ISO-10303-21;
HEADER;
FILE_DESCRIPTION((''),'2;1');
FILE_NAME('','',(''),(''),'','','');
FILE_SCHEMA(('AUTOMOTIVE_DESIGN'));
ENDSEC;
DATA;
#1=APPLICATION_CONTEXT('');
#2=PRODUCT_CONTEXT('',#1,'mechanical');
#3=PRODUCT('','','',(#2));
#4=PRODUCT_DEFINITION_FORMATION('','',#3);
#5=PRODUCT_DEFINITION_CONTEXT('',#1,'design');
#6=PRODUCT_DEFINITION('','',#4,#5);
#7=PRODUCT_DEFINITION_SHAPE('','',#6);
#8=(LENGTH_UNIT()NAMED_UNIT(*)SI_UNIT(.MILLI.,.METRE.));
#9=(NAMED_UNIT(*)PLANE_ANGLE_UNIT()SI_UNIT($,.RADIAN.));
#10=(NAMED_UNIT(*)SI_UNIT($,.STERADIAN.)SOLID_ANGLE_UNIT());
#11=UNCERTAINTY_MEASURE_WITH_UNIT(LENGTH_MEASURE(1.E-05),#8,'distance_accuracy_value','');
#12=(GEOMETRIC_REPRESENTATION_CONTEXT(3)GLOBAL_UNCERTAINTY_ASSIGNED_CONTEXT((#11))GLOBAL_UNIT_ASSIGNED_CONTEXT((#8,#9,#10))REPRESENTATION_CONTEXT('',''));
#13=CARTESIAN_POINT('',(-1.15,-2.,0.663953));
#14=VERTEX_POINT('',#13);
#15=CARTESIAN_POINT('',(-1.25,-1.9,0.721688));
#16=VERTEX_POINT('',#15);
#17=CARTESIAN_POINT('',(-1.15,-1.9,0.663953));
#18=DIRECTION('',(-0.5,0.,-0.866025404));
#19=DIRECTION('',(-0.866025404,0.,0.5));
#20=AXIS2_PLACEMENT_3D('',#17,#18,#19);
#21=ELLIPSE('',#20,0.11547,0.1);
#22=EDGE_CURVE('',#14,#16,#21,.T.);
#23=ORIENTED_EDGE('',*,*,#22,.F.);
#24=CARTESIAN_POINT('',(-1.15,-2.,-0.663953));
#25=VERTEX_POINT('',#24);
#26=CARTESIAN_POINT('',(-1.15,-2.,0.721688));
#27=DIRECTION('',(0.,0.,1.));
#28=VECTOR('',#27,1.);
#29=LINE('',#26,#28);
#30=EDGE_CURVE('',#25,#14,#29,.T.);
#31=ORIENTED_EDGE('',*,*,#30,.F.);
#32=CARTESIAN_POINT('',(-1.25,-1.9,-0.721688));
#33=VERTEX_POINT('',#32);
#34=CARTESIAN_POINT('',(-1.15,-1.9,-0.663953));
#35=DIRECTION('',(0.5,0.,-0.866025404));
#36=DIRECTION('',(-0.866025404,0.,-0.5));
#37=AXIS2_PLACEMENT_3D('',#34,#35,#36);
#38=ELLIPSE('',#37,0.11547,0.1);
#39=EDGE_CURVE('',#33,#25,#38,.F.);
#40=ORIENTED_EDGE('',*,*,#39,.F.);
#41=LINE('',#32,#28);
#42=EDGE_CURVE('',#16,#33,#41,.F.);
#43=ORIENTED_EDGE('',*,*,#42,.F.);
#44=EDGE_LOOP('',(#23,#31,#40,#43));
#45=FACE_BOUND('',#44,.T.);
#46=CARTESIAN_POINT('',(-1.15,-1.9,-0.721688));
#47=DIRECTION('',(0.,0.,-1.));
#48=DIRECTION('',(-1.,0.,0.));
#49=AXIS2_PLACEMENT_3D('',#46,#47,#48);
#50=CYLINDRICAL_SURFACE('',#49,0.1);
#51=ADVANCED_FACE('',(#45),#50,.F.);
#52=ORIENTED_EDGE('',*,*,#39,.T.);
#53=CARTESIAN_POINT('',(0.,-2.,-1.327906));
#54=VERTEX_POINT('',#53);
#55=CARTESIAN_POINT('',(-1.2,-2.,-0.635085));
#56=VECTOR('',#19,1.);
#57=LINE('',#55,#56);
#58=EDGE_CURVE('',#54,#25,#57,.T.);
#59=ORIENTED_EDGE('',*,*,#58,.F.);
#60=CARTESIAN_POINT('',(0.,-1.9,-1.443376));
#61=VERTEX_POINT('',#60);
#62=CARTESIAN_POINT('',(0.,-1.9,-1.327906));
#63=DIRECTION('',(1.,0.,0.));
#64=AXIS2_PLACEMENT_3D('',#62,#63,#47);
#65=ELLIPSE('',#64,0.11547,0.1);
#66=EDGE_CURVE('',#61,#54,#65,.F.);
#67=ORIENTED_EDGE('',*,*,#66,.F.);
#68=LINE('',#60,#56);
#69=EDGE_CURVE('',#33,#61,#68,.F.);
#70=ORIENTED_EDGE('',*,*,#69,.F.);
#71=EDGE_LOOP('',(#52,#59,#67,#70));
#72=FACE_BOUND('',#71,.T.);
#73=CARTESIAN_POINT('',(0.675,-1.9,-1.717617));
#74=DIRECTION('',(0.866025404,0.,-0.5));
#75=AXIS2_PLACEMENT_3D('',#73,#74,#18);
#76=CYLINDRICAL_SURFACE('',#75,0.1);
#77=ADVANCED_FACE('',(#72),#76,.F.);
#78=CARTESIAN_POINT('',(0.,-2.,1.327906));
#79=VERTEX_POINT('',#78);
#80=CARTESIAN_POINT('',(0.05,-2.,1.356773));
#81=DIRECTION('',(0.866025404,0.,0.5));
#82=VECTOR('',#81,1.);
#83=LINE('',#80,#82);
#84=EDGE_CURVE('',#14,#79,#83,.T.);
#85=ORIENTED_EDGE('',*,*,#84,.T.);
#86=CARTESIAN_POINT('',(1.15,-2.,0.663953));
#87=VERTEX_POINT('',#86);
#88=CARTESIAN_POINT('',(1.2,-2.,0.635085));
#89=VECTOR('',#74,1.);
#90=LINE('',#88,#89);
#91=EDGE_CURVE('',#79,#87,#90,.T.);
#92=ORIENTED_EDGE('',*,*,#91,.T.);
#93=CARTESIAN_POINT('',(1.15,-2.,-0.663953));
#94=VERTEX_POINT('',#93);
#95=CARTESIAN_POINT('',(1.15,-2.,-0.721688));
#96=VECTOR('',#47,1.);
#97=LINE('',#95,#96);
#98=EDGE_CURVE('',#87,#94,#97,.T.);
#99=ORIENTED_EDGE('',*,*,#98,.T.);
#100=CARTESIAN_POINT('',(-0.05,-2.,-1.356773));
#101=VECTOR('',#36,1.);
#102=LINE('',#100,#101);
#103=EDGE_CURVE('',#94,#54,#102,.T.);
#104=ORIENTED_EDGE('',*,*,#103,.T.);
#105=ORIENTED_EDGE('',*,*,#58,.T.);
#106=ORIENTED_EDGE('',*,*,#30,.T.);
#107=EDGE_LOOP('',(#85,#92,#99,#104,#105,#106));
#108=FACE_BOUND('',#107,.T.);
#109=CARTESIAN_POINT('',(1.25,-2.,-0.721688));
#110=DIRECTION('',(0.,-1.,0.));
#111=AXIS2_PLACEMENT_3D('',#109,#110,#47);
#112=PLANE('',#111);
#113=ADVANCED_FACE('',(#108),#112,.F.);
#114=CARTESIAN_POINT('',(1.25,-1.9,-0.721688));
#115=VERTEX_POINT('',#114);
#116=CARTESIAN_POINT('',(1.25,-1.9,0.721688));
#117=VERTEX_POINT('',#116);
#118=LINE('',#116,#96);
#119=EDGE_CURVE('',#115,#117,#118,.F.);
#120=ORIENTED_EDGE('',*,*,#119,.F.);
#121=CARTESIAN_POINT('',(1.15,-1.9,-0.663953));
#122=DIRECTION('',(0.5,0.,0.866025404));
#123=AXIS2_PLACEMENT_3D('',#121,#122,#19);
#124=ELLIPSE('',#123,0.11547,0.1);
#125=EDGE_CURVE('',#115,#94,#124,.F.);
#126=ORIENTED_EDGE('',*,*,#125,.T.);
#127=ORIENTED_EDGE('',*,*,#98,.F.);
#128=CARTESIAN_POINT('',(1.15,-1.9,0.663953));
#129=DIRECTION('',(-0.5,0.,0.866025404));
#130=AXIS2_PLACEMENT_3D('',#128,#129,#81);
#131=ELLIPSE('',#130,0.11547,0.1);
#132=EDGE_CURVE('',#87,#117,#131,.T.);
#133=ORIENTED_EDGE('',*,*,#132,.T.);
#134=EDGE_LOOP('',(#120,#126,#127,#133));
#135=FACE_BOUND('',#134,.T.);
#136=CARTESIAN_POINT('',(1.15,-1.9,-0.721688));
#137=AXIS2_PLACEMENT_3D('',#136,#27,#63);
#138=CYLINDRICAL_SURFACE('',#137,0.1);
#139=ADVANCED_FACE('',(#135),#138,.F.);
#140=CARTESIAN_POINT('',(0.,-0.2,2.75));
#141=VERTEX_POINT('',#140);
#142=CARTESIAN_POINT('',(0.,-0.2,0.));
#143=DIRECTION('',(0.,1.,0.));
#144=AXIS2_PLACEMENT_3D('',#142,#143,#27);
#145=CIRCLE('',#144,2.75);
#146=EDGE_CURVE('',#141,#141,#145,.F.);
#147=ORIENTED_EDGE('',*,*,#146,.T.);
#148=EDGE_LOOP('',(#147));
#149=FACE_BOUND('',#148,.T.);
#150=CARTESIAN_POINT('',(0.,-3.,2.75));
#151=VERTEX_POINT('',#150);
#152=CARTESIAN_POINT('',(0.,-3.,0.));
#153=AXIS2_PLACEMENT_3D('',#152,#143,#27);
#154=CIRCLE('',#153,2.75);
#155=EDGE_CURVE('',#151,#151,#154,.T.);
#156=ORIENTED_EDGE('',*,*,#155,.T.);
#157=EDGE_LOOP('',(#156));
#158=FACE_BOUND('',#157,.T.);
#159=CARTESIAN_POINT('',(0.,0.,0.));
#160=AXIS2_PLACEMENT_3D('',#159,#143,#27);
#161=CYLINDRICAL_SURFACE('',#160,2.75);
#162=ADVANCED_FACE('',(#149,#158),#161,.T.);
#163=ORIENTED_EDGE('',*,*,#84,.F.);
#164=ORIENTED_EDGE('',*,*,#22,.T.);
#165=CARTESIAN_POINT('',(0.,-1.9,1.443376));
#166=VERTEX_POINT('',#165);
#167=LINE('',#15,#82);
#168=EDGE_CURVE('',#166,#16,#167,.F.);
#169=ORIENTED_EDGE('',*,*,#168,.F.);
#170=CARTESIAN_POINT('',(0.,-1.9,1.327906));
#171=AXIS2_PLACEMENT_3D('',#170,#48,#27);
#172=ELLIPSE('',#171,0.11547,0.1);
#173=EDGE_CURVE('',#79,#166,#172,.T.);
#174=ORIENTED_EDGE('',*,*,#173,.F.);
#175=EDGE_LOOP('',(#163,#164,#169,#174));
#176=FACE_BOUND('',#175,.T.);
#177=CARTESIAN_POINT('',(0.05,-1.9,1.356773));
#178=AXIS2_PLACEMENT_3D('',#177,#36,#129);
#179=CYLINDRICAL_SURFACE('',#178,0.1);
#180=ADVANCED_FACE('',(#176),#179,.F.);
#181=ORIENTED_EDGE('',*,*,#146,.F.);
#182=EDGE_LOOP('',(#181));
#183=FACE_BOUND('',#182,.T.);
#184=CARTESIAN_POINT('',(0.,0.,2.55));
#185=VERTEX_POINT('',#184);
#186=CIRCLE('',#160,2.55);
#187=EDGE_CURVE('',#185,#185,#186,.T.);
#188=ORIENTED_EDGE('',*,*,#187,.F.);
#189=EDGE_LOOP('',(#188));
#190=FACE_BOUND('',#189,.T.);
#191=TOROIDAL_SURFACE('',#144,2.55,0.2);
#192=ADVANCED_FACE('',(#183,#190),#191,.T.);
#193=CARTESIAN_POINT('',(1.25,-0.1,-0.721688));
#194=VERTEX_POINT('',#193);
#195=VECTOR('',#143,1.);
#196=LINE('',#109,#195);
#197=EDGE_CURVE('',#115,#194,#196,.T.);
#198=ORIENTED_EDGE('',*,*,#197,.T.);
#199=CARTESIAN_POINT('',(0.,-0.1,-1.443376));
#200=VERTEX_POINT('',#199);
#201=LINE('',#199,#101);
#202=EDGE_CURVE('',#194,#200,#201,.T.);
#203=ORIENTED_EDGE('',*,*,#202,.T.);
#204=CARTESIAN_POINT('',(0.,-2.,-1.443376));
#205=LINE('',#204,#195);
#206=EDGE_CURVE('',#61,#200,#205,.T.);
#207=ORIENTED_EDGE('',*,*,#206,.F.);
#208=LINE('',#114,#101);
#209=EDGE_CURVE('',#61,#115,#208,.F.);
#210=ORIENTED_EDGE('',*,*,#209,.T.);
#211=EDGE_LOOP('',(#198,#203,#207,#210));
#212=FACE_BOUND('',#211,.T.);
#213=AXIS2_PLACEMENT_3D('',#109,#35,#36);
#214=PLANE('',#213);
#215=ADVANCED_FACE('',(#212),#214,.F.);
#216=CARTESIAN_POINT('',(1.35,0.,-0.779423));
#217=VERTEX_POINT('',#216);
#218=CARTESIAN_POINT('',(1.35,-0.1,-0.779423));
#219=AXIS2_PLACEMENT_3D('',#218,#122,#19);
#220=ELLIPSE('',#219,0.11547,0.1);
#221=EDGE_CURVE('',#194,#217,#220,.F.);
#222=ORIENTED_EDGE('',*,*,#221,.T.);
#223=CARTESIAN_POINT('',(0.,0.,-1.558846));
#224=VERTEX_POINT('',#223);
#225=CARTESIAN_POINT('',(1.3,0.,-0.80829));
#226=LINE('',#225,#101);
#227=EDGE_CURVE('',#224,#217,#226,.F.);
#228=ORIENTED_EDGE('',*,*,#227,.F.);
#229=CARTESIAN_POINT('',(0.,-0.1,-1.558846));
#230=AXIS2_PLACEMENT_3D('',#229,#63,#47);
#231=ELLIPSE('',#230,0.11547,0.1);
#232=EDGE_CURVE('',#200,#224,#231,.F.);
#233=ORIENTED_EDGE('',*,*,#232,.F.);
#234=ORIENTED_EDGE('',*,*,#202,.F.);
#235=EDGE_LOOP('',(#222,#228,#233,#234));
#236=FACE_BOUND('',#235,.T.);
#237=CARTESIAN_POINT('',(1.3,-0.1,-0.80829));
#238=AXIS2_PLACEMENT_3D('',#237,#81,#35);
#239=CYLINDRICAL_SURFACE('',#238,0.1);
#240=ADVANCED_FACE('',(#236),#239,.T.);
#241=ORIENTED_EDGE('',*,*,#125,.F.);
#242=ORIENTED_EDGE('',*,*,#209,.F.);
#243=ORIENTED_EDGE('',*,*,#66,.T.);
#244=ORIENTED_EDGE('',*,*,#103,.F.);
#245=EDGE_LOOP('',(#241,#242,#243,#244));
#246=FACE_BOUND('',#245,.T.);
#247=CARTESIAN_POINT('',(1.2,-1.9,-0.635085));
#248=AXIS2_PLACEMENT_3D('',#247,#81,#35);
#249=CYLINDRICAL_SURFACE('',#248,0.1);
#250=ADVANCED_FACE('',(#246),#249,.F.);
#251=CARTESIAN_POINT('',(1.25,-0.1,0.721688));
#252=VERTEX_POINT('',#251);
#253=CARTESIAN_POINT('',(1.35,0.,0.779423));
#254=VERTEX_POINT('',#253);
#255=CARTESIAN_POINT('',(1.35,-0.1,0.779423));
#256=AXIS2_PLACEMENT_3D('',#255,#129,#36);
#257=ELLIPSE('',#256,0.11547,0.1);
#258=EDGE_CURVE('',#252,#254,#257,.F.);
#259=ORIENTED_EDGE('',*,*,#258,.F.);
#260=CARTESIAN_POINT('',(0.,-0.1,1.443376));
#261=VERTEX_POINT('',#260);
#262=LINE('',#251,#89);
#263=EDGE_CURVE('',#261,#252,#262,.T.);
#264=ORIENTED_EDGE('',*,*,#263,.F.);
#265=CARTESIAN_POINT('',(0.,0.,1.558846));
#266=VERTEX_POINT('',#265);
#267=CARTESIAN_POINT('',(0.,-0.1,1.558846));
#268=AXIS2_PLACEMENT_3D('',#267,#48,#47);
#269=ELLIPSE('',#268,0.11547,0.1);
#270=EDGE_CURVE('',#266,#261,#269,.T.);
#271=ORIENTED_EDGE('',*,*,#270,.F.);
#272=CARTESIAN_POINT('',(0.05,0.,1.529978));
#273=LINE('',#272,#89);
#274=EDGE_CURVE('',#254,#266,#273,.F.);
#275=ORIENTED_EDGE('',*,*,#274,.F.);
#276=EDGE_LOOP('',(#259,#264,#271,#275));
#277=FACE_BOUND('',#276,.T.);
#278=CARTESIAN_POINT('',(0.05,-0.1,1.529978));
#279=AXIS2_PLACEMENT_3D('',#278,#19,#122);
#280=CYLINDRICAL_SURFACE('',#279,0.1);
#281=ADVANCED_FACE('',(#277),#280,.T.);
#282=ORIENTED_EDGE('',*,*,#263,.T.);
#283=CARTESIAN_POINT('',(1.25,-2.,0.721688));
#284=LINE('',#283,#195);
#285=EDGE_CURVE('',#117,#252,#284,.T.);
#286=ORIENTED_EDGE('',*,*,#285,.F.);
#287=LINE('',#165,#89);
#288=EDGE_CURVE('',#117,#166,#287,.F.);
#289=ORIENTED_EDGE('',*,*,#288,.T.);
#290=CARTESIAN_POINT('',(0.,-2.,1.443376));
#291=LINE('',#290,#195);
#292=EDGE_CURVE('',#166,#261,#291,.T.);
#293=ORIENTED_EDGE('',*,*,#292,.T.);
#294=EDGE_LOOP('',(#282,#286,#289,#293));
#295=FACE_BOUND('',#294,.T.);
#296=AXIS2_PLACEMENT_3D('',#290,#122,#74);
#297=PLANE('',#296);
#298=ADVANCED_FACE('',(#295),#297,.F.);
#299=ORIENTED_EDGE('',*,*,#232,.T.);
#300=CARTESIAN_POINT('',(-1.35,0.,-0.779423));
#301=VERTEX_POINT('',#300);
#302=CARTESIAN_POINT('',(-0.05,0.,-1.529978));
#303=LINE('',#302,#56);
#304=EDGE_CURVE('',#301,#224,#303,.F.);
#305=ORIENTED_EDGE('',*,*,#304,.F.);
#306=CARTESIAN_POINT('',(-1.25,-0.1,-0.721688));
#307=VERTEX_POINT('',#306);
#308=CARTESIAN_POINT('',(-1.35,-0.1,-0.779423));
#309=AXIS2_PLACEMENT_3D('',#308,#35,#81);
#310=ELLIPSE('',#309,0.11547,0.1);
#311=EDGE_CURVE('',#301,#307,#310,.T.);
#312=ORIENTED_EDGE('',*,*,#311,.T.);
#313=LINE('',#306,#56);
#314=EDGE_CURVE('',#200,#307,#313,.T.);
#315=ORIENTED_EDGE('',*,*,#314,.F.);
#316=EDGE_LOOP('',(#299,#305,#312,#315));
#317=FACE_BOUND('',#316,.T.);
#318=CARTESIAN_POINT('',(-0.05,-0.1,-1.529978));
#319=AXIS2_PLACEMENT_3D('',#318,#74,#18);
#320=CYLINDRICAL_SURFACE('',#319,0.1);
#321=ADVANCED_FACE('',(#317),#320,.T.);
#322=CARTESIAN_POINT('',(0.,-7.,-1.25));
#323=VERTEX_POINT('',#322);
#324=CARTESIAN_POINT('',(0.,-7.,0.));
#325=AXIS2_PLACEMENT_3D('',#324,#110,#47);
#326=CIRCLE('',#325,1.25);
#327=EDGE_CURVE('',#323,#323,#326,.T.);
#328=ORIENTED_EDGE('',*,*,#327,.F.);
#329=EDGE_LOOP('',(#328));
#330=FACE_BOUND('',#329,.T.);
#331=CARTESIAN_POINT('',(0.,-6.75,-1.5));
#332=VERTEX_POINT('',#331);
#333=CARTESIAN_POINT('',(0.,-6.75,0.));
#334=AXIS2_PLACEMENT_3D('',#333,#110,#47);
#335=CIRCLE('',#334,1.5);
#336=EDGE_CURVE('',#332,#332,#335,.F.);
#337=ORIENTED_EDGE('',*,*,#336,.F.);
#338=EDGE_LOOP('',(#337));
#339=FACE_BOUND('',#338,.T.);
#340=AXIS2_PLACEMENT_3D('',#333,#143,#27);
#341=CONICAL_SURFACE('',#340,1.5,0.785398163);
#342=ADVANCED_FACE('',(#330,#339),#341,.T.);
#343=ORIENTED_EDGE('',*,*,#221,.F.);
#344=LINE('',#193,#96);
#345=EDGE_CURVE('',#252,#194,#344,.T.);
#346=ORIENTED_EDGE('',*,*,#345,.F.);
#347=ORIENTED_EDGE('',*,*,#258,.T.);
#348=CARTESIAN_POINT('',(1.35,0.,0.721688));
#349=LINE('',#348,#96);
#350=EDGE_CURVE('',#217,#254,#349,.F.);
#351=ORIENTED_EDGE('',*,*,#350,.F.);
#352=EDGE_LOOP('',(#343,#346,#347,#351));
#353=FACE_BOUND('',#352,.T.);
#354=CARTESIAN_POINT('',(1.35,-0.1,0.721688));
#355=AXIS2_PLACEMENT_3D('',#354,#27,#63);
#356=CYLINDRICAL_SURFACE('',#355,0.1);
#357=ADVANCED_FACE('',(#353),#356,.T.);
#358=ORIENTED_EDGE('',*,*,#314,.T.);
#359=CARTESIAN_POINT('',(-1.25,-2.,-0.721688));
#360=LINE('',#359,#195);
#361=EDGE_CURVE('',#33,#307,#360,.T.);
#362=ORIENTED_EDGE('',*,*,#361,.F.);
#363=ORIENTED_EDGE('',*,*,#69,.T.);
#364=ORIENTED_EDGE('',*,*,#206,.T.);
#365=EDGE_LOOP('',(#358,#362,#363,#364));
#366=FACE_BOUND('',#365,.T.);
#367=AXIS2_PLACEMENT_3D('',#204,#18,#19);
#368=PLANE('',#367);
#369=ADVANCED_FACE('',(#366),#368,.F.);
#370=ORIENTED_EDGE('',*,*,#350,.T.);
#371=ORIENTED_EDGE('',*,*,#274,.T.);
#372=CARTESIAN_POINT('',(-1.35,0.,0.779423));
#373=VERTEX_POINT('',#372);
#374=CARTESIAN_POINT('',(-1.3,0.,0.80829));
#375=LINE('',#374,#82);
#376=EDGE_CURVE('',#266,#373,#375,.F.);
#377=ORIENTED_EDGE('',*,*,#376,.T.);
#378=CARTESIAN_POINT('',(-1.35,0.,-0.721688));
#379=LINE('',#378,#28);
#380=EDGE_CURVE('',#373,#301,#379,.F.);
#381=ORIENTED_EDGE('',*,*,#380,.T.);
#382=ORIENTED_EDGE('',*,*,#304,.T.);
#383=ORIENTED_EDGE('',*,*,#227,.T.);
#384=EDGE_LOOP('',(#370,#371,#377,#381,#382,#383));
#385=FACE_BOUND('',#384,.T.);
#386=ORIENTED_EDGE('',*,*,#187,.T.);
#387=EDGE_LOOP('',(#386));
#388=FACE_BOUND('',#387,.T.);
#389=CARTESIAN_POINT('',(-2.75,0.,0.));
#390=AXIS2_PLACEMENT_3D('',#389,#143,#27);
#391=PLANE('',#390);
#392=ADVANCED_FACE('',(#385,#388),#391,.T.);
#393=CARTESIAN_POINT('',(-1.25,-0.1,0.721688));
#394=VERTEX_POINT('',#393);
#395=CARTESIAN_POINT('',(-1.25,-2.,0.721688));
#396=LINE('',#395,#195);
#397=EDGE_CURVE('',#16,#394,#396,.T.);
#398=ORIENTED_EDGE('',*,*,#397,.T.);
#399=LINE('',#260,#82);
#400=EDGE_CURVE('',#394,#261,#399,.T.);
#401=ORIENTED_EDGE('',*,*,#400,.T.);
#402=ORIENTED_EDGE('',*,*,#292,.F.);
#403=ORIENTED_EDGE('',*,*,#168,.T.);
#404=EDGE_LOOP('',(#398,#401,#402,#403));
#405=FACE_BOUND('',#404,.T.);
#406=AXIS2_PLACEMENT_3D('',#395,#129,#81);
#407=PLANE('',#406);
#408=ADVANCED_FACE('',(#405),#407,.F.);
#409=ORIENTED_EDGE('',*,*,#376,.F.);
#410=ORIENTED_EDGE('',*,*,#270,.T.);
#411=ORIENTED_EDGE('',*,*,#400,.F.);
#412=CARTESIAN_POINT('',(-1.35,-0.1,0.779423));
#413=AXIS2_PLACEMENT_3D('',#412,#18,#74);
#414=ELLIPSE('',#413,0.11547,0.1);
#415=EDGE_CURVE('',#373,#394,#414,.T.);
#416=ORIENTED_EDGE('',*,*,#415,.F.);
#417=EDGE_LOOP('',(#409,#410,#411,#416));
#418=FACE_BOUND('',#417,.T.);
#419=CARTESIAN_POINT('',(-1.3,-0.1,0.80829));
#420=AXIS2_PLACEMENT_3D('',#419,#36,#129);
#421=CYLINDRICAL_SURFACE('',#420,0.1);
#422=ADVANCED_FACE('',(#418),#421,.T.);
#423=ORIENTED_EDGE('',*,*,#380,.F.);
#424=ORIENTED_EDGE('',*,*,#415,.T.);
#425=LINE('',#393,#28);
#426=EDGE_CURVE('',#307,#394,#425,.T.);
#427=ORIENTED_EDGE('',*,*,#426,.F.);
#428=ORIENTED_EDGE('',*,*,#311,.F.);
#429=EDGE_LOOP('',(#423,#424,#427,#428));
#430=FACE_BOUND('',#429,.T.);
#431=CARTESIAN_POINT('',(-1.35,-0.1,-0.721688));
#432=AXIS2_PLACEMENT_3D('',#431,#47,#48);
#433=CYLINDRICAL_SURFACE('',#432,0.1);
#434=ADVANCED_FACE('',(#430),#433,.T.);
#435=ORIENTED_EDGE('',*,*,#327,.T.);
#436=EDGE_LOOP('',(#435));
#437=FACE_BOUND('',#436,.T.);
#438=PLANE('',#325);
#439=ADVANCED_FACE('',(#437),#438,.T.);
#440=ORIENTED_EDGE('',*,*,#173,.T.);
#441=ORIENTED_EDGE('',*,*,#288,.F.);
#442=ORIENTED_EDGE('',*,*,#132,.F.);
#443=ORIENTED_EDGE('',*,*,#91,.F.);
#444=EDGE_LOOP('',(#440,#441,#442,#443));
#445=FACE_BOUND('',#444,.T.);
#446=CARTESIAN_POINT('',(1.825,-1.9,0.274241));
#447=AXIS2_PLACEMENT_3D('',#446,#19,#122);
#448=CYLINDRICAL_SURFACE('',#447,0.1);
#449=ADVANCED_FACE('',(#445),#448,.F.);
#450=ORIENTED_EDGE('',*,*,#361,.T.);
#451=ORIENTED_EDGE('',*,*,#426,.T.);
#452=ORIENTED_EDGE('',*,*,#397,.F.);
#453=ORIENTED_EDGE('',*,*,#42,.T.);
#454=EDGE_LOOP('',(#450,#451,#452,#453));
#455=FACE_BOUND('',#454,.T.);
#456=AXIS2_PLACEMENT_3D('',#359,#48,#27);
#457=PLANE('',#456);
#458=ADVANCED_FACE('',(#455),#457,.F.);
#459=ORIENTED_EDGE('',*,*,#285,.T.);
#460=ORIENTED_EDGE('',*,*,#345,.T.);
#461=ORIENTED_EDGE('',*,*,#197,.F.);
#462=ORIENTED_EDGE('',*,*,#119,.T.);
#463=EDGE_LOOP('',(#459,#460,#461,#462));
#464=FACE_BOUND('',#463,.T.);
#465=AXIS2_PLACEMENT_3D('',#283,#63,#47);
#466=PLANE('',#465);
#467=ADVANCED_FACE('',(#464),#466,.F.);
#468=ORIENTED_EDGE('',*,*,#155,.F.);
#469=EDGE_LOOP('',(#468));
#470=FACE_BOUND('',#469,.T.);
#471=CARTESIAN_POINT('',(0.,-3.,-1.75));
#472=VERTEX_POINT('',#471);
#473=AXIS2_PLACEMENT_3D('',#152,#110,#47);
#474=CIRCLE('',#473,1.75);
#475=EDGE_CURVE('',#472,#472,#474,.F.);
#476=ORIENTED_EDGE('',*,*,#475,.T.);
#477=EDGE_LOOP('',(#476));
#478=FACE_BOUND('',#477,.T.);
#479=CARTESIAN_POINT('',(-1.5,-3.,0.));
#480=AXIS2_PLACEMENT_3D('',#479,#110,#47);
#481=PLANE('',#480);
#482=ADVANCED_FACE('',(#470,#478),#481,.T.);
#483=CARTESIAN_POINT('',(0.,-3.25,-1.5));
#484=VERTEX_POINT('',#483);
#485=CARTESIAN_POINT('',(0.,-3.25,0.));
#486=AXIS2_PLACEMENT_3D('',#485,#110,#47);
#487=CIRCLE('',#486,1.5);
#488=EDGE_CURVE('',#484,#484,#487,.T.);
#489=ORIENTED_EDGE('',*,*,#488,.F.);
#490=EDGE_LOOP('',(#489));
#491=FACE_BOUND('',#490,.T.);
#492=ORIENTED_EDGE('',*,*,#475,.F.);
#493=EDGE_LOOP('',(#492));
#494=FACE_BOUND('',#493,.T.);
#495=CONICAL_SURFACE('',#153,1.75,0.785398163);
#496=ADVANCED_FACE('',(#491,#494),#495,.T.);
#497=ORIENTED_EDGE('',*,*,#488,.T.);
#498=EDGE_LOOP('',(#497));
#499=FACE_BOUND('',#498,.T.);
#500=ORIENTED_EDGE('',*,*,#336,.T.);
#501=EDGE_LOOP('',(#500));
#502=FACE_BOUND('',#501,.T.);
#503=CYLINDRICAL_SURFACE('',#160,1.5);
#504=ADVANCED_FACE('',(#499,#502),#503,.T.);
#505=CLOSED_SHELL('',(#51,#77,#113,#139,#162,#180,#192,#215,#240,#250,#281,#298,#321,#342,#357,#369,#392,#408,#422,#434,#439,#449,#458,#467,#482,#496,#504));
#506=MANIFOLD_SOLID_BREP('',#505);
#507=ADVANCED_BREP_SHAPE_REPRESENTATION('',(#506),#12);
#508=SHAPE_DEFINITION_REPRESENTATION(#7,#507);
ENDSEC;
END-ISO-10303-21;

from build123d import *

# Parameters (mm, degrees)
CHAMFER1_SIZE      = 0.25
FILLET1_R          = 0.2
CUT_EXTRUDE1_DEPTH = 2
FILLET2_R          = 0.1


with BuildPart() as part:
    # Sketch1 → Revolve1 (revolve)
    with BuildSketch(Plane.XY):
        Polygon((0, -7), (-1.5, -7), (-1.5, -3), (-2.75, -3), (-2.75, 0), (0, 0), align=None)
    revolve(axis=Axis((0, 0, 0), (0, -1, 0)))

    # Chamfer1
    chamfer1_edges = [part.edges().sort_by_distance(p)[0] for p in [
        (1.5, -3, 0),
        (1.5, -7, 0),
    ]]
    chamfer(chamfer1_edges, length=CHAMFER1_SIZE)

    # Fillet1
    fillet1_edges = [part.edges().sort_by_distance(p)[0] for p in [
        (2.75, 0, 0),
    ]]
    fillet(fillet1_edges, radius=FILLET1_R)

    # Sketch2 → Cut-Extrude1 (cut)
    with BuildSketch(Plane(origin=(0, 0, 0), x_dir=(1, 0, 0), z_dir=(0, 1, 0))):
        Polygon((0, 1.443375673), (-1.25, 0.721687836), (-1.25, -0.721687836), (0, -1.443375673), (1.25, -0.721687836), (1.25, 0.721687836), align=None)
    extrude(amount=-CUT_EXTRUDE1_DEPTH, mode=Mode.SUBTRACT)

    # Fillet2
    fillet2_edges = [part.edges().sort_by_distance(p)[0] for p in [
        (0.625, -2, -1.082531755),
        (1.25, -2, 0),
        (0.625, -2, 1.082531755),
        (-0.625, -2, 1.082531755),
        (-1.25, -2, 0),
        (-0.625, -2, -1.082531755),
        (0.625, 0, -1.082531755),
        (-0.625, 0, -1.082531755),
        (-1.25, 0, 0),
        (-0.625, 0, 1.082531755),
        (0.625, 0, 1.082531755),
        (1.25, 0, 0),
    ]]
    fillet(fillet2_edges, radius=FILLET2_R)


solid = part.part
